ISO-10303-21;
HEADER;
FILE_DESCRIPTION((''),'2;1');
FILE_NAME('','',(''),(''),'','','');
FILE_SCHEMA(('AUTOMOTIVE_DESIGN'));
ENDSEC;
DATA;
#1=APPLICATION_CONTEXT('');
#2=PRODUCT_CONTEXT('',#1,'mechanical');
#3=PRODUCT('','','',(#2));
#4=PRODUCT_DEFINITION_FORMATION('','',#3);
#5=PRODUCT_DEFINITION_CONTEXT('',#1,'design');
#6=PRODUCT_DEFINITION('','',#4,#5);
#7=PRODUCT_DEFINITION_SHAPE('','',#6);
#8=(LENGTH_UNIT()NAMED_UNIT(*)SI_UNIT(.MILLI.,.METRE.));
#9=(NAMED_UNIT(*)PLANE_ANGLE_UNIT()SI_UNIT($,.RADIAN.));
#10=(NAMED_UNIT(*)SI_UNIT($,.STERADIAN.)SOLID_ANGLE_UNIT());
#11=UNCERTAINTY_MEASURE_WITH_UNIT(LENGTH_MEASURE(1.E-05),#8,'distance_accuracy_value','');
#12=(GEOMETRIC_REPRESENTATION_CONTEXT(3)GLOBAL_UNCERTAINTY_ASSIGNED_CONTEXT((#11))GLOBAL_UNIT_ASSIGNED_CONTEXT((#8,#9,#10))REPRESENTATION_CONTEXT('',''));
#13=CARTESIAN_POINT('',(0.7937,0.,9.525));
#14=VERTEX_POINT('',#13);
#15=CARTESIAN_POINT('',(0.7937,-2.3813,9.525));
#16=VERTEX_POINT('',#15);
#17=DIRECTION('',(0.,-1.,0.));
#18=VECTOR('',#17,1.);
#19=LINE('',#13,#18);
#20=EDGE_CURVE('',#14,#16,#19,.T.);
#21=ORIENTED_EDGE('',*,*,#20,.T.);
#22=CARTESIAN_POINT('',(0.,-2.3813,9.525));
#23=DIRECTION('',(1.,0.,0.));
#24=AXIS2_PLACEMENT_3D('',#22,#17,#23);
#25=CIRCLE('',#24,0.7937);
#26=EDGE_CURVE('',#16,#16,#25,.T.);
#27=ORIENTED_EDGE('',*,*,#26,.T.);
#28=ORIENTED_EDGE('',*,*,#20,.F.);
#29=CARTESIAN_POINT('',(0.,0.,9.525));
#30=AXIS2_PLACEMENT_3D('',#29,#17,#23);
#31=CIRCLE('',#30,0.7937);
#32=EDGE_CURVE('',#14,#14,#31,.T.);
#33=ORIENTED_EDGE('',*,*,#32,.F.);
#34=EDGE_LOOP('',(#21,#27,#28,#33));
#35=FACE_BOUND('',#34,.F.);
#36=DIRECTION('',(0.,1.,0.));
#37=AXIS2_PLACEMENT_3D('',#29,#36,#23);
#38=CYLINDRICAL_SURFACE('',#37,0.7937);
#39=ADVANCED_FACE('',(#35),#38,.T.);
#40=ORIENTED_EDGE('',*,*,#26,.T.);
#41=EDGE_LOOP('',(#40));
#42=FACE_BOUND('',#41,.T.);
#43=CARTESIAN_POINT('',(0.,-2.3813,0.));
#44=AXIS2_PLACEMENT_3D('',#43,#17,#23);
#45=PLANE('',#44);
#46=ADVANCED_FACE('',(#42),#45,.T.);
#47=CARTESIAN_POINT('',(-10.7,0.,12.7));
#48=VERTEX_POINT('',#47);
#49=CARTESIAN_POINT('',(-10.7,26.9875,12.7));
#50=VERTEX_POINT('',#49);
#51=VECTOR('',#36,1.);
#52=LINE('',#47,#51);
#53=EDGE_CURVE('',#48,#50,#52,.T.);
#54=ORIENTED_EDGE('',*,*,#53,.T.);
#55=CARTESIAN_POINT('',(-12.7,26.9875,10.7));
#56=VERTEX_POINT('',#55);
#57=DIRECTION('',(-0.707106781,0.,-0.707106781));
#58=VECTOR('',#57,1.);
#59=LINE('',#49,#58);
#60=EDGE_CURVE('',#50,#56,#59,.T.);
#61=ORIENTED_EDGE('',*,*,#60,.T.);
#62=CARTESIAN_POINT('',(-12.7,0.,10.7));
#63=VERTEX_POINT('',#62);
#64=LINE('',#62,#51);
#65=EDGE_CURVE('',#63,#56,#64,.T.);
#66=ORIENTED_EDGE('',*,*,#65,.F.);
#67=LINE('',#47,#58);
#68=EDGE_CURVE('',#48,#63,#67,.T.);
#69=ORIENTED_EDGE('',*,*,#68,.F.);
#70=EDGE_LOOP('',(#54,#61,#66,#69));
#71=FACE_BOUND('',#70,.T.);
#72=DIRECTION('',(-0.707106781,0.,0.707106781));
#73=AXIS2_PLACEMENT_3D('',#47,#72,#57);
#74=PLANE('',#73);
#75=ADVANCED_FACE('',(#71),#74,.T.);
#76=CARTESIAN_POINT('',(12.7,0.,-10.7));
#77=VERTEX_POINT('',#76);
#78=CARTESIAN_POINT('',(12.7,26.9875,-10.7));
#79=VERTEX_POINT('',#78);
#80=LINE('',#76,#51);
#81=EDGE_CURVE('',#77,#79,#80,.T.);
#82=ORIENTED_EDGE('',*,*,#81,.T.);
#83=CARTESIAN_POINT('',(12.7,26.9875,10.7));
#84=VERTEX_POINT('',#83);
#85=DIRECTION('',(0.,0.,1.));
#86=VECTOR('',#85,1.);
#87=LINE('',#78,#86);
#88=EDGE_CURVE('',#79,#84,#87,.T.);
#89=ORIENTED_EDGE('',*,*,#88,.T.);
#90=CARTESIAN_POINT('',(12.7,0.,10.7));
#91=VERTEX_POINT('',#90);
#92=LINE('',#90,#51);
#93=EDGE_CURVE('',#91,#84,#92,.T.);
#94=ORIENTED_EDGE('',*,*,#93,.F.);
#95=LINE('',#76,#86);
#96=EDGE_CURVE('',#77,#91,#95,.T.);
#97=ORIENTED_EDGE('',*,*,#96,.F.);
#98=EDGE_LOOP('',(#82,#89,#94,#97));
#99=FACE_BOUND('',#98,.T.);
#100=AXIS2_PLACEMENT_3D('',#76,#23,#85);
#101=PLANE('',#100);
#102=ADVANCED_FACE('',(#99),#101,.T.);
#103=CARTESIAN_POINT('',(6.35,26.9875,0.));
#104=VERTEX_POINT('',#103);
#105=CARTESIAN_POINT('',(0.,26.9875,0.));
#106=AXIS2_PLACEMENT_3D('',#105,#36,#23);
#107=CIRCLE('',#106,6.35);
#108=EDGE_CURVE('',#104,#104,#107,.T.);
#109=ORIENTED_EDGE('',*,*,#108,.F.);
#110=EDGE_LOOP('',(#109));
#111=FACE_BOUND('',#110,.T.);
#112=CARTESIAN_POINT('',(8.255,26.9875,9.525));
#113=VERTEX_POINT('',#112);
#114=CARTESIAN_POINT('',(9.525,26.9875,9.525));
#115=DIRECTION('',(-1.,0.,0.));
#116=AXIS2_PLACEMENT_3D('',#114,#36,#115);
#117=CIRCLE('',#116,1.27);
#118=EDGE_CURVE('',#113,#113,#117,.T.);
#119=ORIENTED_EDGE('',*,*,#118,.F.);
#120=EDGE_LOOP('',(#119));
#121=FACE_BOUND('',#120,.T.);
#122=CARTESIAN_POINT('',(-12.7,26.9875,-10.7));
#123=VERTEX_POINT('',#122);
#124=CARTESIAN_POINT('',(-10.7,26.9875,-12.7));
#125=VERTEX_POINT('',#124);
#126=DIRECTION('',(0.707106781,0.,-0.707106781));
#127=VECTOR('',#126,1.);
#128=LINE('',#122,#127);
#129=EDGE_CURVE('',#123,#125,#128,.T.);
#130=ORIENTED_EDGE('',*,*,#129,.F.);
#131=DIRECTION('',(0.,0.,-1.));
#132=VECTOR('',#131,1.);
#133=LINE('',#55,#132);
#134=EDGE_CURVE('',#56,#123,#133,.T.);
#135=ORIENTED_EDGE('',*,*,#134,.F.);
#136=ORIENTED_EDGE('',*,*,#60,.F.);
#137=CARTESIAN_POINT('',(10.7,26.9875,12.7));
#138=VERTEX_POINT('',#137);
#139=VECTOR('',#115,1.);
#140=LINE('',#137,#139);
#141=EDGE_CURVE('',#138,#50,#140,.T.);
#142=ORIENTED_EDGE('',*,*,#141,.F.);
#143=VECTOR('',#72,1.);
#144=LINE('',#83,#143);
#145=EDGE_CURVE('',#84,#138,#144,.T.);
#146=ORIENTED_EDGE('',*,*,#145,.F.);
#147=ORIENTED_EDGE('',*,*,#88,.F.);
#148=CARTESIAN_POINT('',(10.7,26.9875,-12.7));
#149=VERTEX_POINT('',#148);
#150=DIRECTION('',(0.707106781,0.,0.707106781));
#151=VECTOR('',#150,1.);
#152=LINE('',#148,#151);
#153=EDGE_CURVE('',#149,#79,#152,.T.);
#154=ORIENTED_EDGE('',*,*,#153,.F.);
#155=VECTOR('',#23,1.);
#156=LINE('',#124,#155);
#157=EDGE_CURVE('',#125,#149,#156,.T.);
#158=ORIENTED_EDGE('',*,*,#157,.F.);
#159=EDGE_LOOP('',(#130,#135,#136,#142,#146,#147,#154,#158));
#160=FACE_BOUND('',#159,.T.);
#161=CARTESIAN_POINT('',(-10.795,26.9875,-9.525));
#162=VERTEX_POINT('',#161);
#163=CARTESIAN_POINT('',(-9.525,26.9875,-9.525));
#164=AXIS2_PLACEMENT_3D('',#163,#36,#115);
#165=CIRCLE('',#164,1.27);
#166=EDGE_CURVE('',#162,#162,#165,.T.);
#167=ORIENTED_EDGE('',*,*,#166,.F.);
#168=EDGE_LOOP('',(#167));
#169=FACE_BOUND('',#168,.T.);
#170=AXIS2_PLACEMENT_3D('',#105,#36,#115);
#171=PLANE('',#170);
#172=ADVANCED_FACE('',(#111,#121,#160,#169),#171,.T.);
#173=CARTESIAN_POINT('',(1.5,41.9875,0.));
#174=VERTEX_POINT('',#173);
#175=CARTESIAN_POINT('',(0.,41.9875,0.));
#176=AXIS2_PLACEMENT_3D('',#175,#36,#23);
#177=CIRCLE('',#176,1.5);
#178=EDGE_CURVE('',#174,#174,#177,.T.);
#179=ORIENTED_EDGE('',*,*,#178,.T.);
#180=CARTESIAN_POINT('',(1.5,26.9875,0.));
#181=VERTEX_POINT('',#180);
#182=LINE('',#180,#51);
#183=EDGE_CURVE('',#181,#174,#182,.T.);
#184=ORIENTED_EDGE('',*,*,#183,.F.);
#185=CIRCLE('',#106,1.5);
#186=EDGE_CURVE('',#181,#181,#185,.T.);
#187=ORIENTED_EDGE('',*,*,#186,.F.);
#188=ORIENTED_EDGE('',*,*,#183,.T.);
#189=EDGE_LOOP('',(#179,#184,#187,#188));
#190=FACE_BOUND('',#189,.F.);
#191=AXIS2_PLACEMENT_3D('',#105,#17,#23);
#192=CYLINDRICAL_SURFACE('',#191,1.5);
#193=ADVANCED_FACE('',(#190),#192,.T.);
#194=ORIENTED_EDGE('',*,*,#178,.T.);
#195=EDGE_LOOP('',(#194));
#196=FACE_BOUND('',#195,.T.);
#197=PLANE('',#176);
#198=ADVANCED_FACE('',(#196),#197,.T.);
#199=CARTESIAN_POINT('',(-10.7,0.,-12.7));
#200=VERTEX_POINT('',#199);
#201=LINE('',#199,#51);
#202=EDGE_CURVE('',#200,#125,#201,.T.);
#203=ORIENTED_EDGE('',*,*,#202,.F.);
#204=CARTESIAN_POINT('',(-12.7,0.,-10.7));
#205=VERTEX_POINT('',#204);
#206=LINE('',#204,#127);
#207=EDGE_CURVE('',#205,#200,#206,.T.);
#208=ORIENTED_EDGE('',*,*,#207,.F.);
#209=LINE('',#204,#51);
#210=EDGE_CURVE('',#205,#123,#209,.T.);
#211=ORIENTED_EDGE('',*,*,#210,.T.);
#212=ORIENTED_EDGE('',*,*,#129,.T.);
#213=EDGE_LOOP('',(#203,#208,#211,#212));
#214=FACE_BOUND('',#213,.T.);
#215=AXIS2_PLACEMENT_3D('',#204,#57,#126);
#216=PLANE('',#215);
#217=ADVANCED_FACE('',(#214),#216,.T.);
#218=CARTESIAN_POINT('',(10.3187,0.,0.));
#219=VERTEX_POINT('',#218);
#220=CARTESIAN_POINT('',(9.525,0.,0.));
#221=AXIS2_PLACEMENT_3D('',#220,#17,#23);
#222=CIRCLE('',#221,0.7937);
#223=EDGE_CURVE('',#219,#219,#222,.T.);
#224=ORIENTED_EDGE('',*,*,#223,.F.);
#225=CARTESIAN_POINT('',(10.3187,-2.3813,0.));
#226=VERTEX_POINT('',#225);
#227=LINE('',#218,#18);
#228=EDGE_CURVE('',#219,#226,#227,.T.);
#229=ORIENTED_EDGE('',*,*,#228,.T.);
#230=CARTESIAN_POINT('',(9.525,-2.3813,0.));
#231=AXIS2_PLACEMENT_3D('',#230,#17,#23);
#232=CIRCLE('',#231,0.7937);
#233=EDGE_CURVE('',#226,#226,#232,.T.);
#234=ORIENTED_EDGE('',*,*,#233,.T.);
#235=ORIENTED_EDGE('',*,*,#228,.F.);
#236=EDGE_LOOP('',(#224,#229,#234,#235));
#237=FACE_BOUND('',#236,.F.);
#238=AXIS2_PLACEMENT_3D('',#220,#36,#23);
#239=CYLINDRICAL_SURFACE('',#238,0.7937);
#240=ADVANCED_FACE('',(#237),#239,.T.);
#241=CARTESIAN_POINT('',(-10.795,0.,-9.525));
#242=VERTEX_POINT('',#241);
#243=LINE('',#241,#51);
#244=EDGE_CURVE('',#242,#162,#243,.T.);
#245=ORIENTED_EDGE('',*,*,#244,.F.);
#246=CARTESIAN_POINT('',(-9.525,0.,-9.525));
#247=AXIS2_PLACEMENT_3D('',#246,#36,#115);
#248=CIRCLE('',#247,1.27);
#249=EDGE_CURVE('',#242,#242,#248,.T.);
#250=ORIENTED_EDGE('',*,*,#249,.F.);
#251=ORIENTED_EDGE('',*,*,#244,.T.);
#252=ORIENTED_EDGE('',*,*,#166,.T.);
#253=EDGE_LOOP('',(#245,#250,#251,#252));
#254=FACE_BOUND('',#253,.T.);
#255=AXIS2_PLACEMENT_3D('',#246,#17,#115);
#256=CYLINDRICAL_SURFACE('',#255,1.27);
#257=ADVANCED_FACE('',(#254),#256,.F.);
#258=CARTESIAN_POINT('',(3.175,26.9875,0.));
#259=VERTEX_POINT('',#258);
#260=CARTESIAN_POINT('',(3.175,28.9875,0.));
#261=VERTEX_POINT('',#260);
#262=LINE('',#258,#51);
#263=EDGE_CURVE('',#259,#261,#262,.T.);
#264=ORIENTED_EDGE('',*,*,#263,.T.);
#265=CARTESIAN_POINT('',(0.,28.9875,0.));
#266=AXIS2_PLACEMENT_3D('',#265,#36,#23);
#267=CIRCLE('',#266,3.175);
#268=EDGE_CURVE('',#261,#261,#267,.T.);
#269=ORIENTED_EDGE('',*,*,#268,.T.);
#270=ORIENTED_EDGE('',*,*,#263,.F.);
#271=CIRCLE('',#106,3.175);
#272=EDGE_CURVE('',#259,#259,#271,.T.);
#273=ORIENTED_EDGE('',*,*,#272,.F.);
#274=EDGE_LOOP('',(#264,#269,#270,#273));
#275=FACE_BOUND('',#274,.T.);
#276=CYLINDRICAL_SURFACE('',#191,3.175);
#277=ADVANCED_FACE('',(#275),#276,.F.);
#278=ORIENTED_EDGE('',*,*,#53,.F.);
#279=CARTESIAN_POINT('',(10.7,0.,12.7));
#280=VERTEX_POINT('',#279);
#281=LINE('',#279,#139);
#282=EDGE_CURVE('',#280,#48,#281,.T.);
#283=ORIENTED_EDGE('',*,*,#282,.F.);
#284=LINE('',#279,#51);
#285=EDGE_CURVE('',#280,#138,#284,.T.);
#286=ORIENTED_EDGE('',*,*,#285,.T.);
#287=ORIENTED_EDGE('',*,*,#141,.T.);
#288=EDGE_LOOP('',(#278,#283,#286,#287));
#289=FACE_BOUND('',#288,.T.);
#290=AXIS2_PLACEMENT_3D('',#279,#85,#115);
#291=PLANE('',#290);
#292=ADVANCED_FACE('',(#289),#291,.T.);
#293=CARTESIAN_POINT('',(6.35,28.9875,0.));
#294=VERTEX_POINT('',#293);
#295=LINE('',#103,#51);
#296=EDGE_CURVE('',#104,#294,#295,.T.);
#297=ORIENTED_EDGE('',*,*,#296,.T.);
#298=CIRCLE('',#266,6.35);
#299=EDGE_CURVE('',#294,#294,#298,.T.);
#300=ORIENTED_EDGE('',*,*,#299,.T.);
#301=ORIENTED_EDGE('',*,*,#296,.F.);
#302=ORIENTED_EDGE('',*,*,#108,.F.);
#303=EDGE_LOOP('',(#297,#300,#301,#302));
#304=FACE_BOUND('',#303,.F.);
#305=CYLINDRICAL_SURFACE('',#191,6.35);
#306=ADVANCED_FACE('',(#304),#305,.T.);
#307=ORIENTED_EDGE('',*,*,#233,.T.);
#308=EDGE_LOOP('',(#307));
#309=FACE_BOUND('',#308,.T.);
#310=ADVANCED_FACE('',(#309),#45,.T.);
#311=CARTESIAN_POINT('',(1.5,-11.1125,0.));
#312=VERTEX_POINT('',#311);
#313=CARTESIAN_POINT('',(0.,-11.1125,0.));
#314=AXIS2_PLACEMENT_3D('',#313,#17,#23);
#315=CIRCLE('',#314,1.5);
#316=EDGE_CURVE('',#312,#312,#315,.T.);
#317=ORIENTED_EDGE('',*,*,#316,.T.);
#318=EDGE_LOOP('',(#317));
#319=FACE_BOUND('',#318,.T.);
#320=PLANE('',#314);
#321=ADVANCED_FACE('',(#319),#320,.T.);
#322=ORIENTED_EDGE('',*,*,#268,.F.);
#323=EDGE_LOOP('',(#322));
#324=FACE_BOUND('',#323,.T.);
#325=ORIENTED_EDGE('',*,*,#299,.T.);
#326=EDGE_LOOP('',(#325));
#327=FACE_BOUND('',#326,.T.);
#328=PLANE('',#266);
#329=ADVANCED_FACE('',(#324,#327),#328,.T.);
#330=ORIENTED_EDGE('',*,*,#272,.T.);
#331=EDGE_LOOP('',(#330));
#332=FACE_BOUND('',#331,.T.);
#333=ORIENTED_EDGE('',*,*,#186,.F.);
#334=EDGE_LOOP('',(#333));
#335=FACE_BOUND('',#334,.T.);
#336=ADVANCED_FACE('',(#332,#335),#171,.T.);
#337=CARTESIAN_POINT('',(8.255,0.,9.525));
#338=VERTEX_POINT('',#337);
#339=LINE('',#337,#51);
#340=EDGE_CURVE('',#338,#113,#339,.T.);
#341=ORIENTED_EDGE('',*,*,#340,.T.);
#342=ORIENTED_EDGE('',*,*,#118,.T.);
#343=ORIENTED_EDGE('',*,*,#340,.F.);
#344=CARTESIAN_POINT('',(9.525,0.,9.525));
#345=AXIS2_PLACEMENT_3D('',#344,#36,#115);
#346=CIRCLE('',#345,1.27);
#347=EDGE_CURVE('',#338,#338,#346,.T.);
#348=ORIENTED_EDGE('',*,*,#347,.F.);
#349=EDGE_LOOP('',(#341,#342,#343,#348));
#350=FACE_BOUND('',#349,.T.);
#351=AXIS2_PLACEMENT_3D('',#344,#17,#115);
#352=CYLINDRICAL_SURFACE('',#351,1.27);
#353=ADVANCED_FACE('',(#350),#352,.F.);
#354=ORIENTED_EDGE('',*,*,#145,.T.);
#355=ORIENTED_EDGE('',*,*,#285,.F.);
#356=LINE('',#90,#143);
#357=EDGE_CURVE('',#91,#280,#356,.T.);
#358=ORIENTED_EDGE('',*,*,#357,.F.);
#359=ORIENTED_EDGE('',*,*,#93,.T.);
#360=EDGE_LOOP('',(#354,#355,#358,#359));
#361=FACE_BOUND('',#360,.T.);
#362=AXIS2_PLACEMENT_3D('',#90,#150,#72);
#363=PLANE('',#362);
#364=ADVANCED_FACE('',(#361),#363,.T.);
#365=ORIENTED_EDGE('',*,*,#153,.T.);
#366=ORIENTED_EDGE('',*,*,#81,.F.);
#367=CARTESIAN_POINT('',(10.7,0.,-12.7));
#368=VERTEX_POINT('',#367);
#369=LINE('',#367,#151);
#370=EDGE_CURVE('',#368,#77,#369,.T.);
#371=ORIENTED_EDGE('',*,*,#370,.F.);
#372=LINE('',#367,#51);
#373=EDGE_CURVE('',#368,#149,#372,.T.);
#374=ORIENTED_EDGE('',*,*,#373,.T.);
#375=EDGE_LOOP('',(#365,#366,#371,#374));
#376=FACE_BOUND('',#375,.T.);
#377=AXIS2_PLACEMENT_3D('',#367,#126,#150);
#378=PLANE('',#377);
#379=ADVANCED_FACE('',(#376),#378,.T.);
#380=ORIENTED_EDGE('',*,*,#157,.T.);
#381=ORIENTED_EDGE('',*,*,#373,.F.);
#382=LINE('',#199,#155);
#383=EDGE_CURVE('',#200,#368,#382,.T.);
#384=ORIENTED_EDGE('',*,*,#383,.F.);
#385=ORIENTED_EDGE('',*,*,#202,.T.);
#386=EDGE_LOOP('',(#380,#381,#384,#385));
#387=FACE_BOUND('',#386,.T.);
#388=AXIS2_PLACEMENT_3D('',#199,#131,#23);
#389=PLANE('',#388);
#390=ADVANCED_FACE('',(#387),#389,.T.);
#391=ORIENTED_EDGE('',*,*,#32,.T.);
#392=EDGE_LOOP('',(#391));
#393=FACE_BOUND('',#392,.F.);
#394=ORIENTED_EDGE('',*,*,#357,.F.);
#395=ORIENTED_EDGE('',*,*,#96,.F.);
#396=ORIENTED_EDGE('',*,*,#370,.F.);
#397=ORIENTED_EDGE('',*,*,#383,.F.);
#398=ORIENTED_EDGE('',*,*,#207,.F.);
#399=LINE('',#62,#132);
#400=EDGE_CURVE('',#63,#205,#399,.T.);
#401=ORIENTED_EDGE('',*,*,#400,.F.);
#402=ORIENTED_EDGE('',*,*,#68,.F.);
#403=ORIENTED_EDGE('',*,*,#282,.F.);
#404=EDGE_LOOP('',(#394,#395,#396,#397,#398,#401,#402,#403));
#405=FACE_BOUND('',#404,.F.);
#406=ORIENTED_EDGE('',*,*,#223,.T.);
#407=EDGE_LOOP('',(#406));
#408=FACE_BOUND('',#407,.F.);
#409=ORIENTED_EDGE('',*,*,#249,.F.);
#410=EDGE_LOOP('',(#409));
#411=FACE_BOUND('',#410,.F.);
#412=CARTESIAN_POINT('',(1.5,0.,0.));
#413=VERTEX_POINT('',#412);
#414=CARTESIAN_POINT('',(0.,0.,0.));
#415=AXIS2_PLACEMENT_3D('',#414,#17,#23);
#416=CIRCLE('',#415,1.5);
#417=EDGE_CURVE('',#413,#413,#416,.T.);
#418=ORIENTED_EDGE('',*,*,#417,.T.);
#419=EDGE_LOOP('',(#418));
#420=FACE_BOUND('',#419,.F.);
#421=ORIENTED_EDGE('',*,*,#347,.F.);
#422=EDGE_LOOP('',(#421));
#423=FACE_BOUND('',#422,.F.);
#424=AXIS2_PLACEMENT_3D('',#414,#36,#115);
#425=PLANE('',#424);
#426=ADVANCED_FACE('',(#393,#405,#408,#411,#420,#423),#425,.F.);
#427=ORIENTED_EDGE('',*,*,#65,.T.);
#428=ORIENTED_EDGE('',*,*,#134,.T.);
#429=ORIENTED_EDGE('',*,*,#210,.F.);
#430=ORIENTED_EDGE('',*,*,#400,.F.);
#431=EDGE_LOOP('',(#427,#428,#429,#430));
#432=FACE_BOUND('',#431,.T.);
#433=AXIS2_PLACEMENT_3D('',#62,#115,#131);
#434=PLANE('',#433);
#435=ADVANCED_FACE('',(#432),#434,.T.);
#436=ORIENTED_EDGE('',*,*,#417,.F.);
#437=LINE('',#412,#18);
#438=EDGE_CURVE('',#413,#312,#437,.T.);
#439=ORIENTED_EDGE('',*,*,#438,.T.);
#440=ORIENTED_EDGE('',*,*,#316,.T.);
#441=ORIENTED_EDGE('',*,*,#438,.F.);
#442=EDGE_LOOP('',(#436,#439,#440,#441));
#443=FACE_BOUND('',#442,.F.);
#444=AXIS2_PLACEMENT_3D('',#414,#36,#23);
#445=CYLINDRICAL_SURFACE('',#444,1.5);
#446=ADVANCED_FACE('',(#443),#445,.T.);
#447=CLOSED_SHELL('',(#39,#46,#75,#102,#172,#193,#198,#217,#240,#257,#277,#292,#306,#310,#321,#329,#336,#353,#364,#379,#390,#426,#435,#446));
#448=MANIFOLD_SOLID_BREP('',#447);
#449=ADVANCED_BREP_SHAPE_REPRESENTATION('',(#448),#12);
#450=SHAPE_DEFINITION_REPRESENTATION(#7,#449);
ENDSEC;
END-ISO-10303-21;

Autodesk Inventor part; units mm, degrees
ref_plane "YZ Plane" through (0, 0, 0) normal (1, 0, 0) x (0, 1, 0)
ref_plane "XZ Plane" through (0, 0, 0) normal (0, 1, 0) x (-1, 0, 0)
ref_plane "XY Plane" through (0, 0, 0) normal (0, 0, 1) x (1, 0, 0)
sketch "Sketch1" plane through (0, 0, 0) normal (0, 1, 0) x (-1, 0, 0)
  line L0 (10.7, -12.7) -> (-10.7, -12.7)
  line L1 (-12.7, -10.7) -> (-12.7, 10.7)
  line L2 (-10.7, 12.7) -> (10.7, 12.7)
  line L3 (12.7, 10.7) -> (12.7, -10.7)
  line L4 (12.7, -10.7) -> (10.7, -12.7)
  line L5 (-10.7, -12.7) -> (-12.7, -10.7)
  line L6 (-12.7, 10.7) -> (-10.7, 12.7)
  line L7 (10.7, 12.7) -> (12.7, 10.7)
  circle A0 centre (9.525, -9.525) radius 1.27
  circle A1 centre (-9.525, 9.525) radius 1.27
  point P0 (0, 0)
  point P1 (12.7, -12.7)
  point P2 (-12.7, 12.7)
  point P3 (-12.7, -12.7)
  point P4 (12.7, 12.7)
  dimension "d0" = 25.4
  dimension "d2" = 25.4
  dimension "d3" = 12.7
  dimension "d4" = 12.7
  dimension "d5" = 2
  dimension "d6" = 2
  dimension "d7" = 2
  dimension "d8" = 2
  dimension "d9" = 2
  dimension "d10" = 2
  dimension "d11" = 2
  dimension "d12" = 2
  dimension "d13" = 3.175
  dimension "d14" = 3.175
  dimension "d15" = 3.175
  dimension "d16" = 3.175
  dimension "d17" = 2.54
  dimension "d18" = 2.54
extrude "Extrusion1" add sketch "Sketch1" along normal blind 26.9875
sketch "Sketch2" plane through (0, 26.9875, 0) normal (0, 1, 0) x (1, 0, 0)
  circle A0 centre (0, 0) radius 6.35
  circle A1 centre (0, 0) radius 3.175
  dimension "d21" = 12.7
  dimension "d23" = 6.35
extrude "Extrusion2" add sketch "Sketch2" along normal blind 2
sketch "Sketch3" plane through (0, 26.9875, 0) normal (0, 1, 0) x (1, 0, 0)
  circle A0 centre (0, 0) radius 6.35 projected
  circle A1 centre (0, 0) radius 1.5
  dimension "d26" = 3
extrude "Extrusion3" add sketch "Sketch3" along normal blind 15 contours A1
sketch "Sketch4" plane through (0, 0, 0) normal (0, -1, 0) x (1, 0, 0)
  circle A0 centre (0, 0) radius 1.5
  dimension "d30" = 3
extrude "Extrusion4" add sketch "Sketch4" along normal blind 11.1125
sketch "Sketch5" plane through (0, 0, 0) normal (0, -1, 0) x (1, 0, 0)
  circle A0 centre (0, 0) radius 1.5 projected
  circle A1 centre (0, 9.525) radius 0.7937
  circle A2 centre (9.525, 0) radius 0.7937
  line L0 (0, 0) -> (0, 9.525) construction
  line L1 (0, 0) -> (9.525, 0) construction
  dimension "d34" = 9.525
  dimension "d35" = 9.525
  dimension "d36" = 1.5875
  dimension "d37" = 1.5875
extrude "Extrusion5" add sketch "Sketch5" along normal blind 2.3813 contours A1 | A2
equation "\"d3\" = 0.5 * d2"
equation "\"d4\" = 0.5 * d0"
equation "\"d6\" = d5"
equation "\"d7\" = d5"
equation "\"d8\" = d7"
equation "\"d9\" = d5"
equation "\"d10\" = d9"
equation "\"d11\" = d5"
equation "\"d12\" = d11"
properties part number "launcher_motor"
